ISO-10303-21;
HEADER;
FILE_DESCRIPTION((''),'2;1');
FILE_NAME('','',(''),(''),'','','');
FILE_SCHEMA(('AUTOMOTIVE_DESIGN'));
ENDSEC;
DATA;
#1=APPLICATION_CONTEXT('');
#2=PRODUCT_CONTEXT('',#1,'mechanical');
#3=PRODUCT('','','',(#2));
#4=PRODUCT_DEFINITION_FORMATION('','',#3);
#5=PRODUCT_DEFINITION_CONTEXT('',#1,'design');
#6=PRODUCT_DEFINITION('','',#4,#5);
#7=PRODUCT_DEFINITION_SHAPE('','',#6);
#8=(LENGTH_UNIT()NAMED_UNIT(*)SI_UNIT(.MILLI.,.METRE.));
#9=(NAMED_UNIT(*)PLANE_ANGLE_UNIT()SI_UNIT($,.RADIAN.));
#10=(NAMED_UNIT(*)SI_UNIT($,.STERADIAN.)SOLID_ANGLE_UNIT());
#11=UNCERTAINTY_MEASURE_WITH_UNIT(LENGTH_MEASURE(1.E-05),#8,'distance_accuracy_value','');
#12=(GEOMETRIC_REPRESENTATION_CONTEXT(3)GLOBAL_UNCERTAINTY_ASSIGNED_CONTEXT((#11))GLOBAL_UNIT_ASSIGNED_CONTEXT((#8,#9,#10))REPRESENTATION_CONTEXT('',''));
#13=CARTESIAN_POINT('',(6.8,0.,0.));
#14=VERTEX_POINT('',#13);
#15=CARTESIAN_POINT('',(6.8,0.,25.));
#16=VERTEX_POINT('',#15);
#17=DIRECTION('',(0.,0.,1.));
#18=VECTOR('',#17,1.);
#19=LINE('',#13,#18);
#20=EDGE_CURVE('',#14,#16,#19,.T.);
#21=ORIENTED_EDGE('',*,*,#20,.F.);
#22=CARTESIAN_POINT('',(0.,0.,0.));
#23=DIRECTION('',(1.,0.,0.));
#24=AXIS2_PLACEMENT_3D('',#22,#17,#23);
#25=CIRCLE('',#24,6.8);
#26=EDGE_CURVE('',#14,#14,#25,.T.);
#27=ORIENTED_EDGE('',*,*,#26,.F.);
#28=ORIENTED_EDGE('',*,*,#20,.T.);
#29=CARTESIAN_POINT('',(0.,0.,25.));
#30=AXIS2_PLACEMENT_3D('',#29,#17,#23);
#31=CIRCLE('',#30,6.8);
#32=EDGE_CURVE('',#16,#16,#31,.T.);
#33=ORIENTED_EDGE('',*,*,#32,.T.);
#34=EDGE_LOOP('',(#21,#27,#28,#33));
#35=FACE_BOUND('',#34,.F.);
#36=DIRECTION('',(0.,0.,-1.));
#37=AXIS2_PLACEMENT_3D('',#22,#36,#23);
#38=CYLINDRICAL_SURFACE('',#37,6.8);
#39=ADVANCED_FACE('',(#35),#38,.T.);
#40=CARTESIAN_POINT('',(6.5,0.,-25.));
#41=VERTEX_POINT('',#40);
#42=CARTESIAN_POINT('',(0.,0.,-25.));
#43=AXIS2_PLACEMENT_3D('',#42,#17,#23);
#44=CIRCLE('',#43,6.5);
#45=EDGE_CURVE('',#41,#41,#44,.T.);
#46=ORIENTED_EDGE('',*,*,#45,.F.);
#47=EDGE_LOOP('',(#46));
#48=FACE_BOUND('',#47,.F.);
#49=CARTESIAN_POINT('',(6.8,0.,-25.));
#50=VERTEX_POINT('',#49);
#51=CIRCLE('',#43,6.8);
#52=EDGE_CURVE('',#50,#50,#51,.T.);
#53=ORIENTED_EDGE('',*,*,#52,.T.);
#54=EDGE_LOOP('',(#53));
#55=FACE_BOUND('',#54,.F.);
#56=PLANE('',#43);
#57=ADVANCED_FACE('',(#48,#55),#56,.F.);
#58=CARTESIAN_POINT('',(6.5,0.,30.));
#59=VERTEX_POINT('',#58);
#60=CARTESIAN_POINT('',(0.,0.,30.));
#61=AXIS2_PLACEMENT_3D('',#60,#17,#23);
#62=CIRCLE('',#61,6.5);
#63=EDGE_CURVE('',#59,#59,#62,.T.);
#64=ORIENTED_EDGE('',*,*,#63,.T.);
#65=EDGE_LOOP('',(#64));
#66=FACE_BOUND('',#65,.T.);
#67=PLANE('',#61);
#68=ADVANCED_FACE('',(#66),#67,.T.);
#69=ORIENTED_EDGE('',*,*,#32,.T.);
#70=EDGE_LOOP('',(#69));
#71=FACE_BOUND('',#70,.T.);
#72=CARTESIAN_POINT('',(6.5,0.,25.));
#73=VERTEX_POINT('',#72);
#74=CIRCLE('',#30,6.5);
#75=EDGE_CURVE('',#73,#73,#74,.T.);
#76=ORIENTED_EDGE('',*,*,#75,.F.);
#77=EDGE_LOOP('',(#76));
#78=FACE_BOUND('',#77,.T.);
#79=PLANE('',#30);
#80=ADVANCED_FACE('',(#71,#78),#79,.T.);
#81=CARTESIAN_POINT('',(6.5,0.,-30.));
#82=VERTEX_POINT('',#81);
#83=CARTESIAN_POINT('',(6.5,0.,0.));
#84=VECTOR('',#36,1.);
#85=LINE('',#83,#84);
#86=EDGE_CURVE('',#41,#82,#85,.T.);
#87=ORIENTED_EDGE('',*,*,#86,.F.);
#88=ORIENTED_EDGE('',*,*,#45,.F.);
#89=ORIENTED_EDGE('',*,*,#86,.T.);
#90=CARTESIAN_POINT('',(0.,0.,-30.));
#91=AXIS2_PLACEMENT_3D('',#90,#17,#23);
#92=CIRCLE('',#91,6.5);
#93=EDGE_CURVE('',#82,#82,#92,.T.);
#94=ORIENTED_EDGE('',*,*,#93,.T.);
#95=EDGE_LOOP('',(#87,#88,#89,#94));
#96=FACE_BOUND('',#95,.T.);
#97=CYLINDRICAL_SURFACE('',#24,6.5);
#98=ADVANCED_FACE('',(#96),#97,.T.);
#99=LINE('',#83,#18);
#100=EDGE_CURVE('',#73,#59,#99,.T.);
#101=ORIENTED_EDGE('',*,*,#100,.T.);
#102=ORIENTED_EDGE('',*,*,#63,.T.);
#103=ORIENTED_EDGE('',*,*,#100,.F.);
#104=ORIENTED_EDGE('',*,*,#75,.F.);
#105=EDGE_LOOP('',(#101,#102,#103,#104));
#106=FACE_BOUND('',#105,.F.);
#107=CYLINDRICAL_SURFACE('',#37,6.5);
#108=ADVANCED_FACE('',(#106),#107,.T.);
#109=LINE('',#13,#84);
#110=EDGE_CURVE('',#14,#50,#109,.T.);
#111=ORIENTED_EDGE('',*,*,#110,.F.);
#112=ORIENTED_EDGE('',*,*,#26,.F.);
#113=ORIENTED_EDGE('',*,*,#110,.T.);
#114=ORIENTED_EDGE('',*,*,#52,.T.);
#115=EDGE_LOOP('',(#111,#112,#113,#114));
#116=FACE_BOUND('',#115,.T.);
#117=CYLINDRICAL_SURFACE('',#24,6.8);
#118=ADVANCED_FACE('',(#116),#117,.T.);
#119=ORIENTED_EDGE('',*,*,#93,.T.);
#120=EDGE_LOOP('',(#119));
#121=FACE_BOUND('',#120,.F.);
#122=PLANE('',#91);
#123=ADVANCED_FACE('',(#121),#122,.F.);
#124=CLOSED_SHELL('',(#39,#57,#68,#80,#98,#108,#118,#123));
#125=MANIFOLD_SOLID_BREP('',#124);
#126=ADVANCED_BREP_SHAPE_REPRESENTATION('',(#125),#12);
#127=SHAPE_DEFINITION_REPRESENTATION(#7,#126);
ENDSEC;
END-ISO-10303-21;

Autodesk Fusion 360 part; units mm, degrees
sketch "Sketch1" plane through (0, 0, 0) normal (0, 0, 1) x (1, 0, 0)
  circle A0 centre (0, 0) radius 6.5
  circle A1 centre (0, 0) radius 6.8
  dimension "d6" = 13
  dimension "d7" = 13.6
extrude "Extrude1" add sketch "Sketch1" along normal blind 30 and the other way blind 30 contours A0
extrude "Extrude2" add sketch "Sketch1" along normal mid plane 50
